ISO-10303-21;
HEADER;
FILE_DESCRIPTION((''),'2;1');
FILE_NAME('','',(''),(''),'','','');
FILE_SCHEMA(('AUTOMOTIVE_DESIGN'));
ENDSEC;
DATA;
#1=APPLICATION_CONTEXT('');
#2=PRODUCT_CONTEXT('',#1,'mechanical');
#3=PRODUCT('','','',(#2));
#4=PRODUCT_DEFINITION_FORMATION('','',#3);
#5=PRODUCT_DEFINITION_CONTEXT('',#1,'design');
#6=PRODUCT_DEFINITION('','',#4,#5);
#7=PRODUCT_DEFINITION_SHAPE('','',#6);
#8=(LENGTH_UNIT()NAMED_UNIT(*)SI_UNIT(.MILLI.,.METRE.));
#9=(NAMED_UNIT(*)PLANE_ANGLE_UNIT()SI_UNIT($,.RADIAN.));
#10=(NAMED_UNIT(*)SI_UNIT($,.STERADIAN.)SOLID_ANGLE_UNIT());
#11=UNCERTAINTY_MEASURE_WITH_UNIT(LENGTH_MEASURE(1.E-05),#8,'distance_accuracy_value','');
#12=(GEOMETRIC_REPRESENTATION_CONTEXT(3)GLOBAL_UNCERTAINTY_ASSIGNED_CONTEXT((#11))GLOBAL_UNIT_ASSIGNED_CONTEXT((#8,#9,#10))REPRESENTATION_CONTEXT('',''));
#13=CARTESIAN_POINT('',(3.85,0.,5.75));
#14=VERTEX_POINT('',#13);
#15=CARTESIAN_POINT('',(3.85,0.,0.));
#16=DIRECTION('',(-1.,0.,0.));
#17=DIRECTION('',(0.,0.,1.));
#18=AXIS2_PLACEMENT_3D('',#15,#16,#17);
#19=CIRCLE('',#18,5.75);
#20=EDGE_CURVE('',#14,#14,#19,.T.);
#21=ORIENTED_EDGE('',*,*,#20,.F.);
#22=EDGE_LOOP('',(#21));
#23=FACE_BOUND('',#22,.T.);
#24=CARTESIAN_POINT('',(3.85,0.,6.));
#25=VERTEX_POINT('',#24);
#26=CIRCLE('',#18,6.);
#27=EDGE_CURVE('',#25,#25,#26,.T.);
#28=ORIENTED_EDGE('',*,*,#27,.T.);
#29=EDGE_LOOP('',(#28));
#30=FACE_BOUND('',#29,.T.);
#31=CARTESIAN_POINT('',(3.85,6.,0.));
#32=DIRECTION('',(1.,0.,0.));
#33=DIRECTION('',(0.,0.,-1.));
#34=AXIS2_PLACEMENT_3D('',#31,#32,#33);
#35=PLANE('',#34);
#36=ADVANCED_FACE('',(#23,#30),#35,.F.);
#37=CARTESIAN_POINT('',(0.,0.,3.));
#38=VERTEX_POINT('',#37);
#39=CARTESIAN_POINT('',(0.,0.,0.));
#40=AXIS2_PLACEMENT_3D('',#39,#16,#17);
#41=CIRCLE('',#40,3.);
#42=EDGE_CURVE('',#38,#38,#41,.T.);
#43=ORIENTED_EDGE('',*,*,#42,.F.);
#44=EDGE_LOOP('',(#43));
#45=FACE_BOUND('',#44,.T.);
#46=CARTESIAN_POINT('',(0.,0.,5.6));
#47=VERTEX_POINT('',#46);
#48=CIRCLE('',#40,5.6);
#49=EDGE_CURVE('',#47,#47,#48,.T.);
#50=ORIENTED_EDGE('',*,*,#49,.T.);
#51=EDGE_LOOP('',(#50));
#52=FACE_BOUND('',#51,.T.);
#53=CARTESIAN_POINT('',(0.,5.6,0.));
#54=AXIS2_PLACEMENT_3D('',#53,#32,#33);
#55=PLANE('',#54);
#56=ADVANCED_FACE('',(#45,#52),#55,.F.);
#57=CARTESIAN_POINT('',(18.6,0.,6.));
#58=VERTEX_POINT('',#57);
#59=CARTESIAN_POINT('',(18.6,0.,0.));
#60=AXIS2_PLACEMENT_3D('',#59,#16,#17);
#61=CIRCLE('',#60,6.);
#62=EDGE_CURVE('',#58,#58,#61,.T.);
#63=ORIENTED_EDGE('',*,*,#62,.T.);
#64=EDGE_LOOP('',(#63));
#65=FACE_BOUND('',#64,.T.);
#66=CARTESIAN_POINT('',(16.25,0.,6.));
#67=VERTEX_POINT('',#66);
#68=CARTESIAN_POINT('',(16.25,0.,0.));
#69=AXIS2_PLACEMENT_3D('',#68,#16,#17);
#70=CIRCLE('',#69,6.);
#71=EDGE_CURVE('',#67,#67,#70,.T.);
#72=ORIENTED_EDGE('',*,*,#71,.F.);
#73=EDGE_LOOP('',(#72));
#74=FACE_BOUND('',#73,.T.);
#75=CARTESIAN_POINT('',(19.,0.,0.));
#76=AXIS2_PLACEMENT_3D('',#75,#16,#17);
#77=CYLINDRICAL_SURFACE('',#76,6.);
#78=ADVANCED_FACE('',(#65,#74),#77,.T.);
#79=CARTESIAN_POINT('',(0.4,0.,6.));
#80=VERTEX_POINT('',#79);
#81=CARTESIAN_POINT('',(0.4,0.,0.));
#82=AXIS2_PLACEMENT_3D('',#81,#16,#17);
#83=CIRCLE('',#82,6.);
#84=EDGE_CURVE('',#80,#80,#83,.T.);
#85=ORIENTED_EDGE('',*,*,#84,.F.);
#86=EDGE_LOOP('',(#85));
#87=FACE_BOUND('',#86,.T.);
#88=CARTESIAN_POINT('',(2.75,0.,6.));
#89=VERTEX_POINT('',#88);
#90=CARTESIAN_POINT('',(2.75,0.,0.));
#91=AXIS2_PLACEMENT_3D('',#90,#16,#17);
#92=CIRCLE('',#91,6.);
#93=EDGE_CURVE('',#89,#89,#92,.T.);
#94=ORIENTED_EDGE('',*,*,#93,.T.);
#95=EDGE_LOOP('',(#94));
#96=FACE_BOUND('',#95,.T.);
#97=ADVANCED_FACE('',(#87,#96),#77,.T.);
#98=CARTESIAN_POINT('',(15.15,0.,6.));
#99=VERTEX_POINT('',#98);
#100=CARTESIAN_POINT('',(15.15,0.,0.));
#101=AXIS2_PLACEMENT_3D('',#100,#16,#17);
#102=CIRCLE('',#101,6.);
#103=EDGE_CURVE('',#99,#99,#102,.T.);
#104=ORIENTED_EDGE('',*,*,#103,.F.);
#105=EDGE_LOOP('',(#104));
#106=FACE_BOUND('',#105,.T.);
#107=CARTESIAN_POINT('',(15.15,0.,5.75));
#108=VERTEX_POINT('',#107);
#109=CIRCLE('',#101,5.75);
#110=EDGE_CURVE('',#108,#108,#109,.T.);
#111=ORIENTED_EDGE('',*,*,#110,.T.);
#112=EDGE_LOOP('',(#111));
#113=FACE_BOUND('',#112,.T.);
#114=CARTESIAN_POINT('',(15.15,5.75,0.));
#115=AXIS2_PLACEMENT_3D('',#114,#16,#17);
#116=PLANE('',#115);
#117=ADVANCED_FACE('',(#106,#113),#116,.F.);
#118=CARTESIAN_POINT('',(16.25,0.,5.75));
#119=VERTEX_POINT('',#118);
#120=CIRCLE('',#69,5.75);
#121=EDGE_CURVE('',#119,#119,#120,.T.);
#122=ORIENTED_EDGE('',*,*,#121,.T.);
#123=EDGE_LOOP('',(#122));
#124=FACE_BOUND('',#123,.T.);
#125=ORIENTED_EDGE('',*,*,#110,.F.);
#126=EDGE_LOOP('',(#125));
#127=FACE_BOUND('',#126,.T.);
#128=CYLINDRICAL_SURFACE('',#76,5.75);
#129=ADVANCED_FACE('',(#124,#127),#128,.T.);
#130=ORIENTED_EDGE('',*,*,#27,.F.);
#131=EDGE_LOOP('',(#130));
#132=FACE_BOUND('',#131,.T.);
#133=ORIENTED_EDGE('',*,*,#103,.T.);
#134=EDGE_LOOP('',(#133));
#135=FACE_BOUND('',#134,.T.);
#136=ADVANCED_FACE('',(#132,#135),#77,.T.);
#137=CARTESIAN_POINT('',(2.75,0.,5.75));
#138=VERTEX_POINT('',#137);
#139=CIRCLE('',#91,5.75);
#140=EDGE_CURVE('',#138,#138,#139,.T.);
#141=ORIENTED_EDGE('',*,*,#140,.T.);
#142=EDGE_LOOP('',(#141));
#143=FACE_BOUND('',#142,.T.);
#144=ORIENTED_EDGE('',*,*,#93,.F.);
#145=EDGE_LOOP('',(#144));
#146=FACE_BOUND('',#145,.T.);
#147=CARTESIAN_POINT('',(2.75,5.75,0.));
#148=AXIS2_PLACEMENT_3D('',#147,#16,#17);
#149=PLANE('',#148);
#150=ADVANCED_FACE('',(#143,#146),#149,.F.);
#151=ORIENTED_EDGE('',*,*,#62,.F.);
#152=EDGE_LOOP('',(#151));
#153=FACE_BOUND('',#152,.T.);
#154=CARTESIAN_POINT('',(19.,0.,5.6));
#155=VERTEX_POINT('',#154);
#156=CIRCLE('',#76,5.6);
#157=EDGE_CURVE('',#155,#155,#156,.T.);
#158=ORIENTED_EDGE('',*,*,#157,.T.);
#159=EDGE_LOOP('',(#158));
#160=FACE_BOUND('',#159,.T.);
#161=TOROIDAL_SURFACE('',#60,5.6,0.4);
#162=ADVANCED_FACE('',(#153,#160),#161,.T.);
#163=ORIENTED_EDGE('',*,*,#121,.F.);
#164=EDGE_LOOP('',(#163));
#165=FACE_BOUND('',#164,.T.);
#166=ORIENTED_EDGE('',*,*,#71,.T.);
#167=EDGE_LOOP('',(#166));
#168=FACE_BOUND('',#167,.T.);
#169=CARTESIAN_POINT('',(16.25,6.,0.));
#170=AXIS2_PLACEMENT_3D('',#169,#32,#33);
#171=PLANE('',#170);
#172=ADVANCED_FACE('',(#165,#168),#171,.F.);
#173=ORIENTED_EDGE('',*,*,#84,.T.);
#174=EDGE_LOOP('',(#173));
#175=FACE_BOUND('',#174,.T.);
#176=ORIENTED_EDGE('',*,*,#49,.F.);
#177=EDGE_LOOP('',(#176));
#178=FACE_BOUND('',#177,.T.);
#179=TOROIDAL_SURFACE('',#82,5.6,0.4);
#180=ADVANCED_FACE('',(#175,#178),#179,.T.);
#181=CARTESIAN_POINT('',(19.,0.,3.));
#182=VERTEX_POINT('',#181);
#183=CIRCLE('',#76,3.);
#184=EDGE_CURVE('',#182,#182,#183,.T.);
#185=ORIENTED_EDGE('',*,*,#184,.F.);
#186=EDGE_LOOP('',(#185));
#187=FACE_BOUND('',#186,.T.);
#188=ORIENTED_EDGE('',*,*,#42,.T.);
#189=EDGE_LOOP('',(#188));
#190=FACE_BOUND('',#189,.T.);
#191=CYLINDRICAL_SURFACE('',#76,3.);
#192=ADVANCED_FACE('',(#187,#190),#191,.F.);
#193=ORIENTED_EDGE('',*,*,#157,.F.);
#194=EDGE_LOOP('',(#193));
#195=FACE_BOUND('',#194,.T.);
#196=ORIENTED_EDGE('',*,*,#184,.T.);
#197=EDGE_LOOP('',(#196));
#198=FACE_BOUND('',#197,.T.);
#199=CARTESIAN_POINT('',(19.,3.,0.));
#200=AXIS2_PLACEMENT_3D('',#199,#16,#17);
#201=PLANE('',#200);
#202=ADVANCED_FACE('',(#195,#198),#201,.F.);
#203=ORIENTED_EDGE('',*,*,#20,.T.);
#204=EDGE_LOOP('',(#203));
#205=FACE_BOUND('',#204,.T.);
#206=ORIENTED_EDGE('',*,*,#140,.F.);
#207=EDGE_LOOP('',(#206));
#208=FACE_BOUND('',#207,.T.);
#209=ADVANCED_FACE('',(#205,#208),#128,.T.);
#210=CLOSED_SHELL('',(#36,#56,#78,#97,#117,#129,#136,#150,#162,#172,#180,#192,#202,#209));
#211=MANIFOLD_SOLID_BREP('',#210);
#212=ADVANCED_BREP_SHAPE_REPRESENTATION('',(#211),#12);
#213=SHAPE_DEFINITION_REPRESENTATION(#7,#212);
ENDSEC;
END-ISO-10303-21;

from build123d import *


with BuildPart() as part:
    # Sketch1 → Revolve1 (revolve)
    with BuildSketch(Plane.XY):
        with BuildLine():
            Line((0, 5.6), (0, 3))
            Line((0, 3), (19, 3))
            Line((19, 3), (19, 5.6))
            ThreePointArc((19, 5.6), (18.882842712, 5.882842712), (18.6, 6))
            Line((18.6, 6), (16.25, 6))
            Line((16.25, 6), (16.25, 5.75))
            Line((16.25, 5.75), (15.15, 5.75))
            Line((15.15, 5.75), (15.15, 6))
            Line((15.15, 6), (3.85, 6))
            Line((3.85, 6), (3.85, 5.75))
            Line((3.85, 5.75), (2.75, 5.75))
            Line((2.75, 5.75), (2.75, 6))
            Line((2.75, 6), (0.4, 6))
            ThreePointArc((0.4, 6), (0.117157288, 5.882842712), (0, 5.6))
        make_face()
    revolve(axis=Axis((19, 0, 0), (-1, 0, 0)))


solid = part.part
